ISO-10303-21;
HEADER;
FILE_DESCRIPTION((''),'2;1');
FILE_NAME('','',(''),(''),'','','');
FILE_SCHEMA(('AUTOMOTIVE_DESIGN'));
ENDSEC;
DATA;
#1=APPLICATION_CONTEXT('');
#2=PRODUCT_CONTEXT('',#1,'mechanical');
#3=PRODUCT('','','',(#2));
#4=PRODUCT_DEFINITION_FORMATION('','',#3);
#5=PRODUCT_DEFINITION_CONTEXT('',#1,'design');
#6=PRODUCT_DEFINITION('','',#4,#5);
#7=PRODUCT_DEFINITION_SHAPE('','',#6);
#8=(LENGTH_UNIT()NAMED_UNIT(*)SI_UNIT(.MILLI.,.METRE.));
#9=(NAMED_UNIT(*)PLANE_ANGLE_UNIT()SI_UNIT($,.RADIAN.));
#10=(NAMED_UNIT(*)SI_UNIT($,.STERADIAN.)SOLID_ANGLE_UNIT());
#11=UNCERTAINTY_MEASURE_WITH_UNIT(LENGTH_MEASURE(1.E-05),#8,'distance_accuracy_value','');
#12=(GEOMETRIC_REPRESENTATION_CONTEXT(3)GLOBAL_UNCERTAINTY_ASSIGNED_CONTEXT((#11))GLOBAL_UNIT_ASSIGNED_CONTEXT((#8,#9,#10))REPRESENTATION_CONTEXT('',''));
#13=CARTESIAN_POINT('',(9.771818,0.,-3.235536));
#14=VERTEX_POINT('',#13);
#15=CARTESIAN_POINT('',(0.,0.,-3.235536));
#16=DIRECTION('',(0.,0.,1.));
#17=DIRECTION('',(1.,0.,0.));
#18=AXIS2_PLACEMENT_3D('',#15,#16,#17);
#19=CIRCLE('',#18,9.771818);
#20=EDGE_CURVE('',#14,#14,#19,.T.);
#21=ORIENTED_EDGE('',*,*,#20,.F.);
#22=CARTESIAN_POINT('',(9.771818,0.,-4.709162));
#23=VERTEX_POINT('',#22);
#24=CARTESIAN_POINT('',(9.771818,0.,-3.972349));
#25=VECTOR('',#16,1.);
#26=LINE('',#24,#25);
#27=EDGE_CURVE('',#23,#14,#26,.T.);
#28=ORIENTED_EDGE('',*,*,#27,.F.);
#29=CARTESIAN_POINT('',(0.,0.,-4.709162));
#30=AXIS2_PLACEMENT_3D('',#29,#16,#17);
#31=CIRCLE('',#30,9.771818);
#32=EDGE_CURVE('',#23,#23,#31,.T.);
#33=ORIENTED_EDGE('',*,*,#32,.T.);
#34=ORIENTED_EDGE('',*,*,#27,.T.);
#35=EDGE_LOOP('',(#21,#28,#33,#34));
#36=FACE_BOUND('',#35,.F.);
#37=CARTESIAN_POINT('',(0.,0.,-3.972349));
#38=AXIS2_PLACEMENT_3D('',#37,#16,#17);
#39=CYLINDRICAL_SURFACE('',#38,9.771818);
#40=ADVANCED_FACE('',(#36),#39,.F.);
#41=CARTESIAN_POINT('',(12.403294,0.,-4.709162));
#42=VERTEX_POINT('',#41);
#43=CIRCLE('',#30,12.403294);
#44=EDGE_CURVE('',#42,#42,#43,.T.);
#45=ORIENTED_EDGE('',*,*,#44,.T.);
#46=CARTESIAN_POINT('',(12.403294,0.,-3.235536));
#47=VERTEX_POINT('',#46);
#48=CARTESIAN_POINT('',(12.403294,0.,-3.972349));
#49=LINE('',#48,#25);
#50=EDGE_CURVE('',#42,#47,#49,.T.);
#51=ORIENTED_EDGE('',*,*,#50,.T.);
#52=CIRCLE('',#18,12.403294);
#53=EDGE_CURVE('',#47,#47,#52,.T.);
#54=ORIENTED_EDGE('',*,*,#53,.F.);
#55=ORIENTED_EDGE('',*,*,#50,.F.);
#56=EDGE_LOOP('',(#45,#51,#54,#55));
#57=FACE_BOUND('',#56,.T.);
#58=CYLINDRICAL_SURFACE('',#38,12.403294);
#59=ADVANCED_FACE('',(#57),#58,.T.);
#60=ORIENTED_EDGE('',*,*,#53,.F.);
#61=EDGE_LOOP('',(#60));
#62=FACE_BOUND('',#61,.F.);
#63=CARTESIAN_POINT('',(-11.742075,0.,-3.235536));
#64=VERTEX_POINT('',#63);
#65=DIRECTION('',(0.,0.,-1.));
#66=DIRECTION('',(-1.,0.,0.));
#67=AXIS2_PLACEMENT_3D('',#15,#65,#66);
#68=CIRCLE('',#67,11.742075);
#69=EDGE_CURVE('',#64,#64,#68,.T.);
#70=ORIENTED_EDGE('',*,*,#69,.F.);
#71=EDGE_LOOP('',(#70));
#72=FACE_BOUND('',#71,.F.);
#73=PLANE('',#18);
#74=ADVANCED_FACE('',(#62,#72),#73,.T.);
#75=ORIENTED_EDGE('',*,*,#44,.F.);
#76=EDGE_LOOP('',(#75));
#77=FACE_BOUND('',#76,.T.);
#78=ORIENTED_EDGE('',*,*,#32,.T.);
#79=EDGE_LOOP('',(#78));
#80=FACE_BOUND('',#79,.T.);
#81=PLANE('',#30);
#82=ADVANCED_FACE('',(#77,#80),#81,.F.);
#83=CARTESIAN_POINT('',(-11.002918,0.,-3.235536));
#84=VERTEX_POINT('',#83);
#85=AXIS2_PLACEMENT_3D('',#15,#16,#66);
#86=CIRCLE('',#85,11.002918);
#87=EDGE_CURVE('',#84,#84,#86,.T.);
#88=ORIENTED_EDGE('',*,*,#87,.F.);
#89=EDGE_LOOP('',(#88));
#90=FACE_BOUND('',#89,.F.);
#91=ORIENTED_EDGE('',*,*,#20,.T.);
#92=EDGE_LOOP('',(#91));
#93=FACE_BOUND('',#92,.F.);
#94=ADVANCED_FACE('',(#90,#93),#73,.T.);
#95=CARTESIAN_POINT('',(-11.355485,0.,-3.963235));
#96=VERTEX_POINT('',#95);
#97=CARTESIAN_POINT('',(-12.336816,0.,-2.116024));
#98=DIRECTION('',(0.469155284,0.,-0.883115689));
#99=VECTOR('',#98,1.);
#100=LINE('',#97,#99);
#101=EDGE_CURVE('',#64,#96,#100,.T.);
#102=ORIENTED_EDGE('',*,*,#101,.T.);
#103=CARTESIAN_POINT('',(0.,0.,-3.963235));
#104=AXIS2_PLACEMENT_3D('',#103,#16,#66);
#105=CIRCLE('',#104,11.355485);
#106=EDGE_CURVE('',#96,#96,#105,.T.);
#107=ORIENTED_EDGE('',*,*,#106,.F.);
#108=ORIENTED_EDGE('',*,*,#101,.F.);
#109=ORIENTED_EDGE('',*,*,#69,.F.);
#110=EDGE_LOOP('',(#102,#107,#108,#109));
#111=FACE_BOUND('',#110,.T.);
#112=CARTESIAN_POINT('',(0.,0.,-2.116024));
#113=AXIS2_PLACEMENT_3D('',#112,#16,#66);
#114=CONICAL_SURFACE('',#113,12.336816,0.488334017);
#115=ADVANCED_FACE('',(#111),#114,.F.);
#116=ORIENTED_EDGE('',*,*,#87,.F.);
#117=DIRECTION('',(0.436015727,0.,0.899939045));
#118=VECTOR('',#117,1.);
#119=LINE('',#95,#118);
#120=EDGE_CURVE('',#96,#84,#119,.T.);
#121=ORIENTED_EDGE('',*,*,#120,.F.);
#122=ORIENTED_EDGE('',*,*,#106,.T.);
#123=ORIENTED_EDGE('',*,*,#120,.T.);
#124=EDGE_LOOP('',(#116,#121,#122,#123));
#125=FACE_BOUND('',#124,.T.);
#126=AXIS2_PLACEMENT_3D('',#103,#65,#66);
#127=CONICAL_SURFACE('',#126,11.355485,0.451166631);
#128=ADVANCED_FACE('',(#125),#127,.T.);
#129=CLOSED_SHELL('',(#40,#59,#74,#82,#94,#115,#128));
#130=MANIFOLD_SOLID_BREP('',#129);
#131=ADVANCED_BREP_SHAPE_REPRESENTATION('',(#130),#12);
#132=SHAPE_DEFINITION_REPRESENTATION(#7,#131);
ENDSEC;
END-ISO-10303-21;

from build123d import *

# Parameters (mm, degrees)
F0_W = 2.631476
F0_H = 1.473627


with BuildPart() as f1:
    # F0 (on Front) → F1 (revolve)
    with BuildSketch(Plane.XZ):
        with Locations((11.087556, -3.972349)):
            Rectangle(F0_W, F0_H)
    revolve(axis=Axis((0, 0, 2.659775), (0, 0, 1)))

    # F2 (on Front) → F3 (revolve, cut)
    with BuildSketch(Plane.XZ):
        Polygon((-10.460521, -2.116024), (-12.336816, -2.116024), (-11.355485, -3.963235), align=None)
    revolve(axis=Axis((0, 0, 2.659775), (0, 0, 1)), mode=Mode.SUBTRACT)


solid = f1.part
